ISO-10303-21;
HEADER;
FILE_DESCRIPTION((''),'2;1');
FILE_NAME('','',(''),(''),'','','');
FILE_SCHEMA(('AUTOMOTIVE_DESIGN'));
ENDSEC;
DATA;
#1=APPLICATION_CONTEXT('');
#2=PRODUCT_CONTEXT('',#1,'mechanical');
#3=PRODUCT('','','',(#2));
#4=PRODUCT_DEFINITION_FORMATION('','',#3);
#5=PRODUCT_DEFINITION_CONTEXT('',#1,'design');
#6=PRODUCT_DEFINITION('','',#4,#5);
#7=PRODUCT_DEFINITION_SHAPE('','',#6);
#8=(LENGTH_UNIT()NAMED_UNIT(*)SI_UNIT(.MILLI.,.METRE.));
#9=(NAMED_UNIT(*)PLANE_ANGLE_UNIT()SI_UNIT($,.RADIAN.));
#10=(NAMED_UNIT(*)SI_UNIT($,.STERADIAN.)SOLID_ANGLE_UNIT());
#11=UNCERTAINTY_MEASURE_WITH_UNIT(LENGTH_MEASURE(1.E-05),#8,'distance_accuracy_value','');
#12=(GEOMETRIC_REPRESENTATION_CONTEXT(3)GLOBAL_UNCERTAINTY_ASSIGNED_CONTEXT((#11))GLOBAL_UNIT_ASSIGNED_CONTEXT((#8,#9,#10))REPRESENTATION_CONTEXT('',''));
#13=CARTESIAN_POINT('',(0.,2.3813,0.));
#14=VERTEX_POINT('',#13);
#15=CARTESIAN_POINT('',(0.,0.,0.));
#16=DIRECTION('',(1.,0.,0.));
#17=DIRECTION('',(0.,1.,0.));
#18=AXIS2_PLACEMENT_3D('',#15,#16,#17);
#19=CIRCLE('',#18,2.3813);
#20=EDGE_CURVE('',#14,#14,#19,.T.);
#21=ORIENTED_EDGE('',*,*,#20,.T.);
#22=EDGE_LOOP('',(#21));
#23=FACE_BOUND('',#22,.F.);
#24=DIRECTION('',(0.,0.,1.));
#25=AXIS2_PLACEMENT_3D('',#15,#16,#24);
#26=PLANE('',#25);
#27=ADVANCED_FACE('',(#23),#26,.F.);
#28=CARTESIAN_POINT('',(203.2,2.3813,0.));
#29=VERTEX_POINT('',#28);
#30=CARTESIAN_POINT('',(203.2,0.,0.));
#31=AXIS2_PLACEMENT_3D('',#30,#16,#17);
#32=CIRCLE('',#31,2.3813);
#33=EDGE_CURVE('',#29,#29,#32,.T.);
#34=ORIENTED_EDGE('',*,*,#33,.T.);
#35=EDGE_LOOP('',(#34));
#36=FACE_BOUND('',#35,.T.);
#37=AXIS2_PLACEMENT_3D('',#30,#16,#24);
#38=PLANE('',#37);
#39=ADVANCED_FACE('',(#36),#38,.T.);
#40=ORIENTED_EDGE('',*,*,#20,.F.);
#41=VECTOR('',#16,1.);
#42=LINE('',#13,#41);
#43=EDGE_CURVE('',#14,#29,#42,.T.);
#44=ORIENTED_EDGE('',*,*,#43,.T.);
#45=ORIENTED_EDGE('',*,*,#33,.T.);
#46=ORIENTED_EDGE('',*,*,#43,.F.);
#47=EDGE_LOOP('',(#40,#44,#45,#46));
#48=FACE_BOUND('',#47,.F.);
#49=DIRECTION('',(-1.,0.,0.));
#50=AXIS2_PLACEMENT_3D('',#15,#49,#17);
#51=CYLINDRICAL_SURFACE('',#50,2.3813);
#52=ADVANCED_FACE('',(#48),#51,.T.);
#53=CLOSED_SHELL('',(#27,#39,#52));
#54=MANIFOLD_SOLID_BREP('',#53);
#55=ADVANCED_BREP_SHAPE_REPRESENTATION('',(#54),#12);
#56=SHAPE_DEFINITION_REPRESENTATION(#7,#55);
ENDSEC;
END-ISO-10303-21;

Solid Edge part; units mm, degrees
sketch "Sketch1" plane through (0, 0, 0) normal (1, 0, 0) x (0, 1, 0)
  circle A0 centre (0, 0) radius 2.3813
  dimension "D1" = 4.7625
extrude "Protrusion1" add sketch "Sketch1" along normal blind 203.2
properties material "Aluminum, 1060"
